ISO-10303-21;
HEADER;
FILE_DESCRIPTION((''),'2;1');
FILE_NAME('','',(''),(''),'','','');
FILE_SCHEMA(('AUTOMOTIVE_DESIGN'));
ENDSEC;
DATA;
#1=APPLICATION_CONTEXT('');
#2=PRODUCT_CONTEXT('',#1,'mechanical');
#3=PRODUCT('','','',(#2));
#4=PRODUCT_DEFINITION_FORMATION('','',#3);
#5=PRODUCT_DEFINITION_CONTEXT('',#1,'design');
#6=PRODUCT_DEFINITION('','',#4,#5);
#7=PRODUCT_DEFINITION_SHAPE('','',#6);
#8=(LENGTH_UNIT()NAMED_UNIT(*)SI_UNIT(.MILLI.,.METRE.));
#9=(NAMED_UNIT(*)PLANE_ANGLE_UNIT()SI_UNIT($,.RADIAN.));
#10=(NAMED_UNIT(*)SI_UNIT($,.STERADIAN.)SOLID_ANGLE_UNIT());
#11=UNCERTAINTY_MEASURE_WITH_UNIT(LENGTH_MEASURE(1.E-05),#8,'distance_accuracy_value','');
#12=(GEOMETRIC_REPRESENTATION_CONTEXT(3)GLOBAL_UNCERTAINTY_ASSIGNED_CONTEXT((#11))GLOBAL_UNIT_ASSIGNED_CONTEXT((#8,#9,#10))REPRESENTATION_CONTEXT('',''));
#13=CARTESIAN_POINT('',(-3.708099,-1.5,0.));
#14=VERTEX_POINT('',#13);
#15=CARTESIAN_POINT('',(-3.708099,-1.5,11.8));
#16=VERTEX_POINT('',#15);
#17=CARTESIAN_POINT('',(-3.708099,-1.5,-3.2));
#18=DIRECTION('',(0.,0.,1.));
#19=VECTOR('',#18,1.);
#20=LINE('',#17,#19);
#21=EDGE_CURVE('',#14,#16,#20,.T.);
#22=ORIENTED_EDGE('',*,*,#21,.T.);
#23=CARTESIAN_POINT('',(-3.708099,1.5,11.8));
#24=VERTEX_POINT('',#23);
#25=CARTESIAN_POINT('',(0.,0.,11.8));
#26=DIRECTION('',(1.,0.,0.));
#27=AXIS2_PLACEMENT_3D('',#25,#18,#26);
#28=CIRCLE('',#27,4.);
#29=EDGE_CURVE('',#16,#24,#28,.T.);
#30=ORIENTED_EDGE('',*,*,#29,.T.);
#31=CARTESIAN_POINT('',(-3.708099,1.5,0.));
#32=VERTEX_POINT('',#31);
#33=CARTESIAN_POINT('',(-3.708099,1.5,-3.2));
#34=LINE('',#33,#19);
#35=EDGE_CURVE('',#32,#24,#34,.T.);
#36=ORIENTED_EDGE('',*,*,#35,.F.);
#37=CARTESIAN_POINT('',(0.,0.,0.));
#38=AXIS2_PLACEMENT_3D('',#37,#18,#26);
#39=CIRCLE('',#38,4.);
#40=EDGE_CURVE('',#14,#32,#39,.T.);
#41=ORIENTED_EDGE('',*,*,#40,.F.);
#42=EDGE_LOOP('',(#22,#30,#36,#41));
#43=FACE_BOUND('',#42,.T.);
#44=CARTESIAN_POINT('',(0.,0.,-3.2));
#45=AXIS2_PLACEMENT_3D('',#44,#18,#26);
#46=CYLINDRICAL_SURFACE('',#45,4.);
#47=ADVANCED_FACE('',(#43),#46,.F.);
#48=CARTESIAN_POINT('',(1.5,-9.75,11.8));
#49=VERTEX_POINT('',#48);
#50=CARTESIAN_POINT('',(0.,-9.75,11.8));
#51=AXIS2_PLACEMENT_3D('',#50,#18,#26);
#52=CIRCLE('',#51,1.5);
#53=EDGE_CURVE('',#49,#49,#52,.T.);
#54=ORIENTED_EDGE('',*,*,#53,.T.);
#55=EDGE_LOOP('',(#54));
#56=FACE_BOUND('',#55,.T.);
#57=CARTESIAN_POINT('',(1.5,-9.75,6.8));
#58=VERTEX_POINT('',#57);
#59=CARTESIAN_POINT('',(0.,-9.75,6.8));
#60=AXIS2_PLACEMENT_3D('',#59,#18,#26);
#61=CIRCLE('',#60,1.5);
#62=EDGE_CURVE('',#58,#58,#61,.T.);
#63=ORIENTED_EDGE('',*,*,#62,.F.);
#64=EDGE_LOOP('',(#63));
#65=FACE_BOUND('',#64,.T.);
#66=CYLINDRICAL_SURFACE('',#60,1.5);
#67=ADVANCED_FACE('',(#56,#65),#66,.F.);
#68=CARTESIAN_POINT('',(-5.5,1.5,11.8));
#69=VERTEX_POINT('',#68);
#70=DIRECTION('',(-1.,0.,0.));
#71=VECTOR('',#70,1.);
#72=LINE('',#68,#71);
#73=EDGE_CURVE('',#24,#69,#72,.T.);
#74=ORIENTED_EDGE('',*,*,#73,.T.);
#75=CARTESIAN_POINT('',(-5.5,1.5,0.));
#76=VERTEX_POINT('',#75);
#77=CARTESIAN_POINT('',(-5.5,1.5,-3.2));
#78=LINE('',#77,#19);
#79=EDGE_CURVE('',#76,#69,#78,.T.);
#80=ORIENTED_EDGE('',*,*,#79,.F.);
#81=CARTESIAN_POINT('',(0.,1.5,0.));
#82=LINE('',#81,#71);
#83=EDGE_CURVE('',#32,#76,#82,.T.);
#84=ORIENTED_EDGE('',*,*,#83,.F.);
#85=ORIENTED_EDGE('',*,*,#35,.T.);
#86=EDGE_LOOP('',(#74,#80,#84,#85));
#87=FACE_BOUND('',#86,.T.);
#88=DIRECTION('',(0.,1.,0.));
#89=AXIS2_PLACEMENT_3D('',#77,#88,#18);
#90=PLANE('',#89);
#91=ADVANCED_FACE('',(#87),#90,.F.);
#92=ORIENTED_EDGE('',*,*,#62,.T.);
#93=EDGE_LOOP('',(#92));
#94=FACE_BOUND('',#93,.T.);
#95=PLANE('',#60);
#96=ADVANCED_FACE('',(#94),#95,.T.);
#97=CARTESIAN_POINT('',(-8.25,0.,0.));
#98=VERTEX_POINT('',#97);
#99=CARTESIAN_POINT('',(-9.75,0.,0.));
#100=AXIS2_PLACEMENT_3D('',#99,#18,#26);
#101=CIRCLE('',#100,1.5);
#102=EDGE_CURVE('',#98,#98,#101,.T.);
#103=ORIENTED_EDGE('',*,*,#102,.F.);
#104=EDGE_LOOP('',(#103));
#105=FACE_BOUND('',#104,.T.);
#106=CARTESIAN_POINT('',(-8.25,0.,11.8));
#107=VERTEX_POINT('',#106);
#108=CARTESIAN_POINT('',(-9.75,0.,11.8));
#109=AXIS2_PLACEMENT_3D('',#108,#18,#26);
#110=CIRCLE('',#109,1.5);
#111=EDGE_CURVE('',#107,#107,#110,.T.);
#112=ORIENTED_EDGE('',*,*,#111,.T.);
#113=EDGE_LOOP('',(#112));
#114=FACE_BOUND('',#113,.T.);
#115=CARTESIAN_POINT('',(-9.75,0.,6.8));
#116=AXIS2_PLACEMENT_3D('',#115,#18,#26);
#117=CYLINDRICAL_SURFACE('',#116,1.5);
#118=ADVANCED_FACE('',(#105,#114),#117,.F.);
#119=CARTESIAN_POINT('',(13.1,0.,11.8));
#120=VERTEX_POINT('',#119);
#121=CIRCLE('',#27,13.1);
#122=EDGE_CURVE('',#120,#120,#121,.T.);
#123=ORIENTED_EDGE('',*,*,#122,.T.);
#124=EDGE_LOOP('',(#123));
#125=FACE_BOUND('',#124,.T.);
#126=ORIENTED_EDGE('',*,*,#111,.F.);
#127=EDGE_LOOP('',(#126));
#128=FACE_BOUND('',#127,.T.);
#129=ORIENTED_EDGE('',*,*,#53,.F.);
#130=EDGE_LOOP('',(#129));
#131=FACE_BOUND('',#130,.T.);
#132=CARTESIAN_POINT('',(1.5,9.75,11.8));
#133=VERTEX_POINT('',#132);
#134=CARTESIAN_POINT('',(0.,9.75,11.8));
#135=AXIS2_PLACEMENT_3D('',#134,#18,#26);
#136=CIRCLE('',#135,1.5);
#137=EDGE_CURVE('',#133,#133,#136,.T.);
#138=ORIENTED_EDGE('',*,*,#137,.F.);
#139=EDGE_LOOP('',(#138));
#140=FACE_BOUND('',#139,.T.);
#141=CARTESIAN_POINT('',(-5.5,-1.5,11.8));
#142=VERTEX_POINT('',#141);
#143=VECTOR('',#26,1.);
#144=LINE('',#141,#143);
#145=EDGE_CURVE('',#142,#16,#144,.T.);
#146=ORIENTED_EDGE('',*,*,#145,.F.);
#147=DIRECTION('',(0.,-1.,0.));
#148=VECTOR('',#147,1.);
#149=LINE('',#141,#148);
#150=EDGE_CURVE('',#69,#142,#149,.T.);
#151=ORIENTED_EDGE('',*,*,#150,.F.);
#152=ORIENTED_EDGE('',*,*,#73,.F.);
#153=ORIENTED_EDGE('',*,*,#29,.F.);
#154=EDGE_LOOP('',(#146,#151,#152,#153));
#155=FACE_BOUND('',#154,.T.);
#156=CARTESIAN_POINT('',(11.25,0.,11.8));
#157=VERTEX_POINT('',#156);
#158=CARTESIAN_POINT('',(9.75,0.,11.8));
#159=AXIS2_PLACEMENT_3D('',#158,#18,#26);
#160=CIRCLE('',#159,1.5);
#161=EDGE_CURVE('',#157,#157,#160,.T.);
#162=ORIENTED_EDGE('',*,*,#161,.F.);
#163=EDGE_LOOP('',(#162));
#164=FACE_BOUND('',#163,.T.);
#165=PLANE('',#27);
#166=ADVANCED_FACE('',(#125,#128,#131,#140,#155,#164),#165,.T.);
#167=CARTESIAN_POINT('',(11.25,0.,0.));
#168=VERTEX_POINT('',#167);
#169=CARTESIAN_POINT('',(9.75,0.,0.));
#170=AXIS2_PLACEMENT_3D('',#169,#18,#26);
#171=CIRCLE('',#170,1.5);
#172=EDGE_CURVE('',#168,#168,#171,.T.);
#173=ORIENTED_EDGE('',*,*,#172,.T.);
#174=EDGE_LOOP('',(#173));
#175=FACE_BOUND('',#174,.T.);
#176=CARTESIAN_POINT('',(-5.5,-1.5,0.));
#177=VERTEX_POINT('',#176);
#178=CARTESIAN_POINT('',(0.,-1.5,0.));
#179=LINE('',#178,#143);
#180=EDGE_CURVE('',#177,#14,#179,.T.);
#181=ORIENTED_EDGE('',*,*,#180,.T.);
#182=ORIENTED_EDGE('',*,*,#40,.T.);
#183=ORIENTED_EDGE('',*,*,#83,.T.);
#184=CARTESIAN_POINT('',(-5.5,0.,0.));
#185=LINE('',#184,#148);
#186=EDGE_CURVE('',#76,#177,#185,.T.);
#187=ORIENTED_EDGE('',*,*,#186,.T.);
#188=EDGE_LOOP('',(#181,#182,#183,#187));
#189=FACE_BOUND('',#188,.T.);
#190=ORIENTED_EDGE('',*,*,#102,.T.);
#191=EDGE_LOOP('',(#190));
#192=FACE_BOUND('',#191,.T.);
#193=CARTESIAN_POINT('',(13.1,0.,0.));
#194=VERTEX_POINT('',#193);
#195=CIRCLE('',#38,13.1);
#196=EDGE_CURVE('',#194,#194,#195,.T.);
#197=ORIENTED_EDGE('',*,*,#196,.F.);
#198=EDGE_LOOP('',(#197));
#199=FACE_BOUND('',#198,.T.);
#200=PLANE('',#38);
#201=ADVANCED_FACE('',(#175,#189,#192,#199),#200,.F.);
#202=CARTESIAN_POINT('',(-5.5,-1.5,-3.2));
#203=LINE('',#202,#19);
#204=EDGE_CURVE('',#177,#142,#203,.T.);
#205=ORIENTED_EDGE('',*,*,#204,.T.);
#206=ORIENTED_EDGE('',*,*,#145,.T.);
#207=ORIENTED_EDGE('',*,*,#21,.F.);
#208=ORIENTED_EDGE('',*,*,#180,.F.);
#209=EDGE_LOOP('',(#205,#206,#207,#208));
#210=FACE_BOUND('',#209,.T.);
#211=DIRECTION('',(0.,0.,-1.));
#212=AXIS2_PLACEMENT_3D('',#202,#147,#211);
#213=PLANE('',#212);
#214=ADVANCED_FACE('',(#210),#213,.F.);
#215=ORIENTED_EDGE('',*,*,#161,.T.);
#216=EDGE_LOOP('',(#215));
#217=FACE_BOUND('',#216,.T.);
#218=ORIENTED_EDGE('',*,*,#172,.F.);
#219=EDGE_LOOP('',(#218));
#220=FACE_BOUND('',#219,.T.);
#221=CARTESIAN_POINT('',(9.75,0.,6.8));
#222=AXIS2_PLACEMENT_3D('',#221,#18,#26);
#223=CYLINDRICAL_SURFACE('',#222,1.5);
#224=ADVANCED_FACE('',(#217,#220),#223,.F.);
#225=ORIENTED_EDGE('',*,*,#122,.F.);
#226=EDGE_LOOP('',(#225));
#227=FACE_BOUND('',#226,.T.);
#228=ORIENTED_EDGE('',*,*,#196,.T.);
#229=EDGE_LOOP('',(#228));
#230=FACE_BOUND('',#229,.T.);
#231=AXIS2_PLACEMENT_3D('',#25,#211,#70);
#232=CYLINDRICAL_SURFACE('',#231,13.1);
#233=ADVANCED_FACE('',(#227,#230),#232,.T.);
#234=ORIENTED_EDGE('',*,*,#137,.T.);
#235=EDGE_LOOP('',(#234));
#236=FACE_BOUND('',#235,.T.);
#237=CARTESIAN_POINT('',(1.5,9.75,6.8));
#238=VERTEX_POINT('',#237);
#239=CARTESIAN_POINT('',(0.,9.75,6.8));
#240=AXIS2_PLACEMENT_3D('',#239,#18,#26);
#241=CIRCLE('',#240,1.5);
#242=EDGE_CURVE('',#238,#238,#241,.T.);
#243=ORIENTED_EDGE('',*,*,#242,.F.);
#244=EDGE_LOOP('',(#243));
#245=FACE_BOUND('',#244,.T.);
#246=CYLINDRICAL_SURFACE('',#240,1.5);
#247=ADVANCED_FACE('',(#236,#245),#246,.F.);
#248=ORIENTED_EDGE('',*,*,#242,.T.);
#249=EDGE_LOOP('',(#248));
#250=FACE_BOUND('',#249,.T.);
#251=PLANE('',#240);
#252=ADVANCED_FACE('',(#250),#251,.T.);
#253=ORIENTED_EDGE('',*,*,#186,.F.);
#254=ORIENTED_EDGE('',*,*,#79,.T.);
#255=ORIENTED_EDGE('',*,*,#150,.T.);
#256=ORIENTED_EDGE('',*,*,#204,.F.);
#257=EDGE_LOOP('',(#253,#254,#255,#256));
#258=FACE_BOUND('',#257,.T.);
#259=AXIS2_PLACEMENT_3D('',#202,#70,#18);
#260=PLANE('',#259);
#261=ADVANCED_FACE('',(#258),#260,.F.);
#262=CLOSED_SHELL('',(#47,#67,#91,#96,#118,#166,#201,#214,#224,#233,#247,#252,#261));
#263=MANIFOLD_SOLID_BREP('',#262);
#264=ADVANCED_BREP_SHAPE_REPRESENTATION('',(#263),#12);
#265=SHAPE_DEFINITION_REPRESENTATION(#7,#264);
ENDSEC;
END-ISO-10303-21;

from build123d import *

# Parameters (mm, degrees)
SKETCH_1_R          = 13.1
EXTRUDE_1_DEPTH     = 11.8
SKETCH_3_R          = 1.5
CUT_EXTRUDE_1_DEPTH = 5
SKETCH_4_R          = 1.5
CUT_EXTRUDE_2_DEPTH = 15


with BuildPart() as part:
    # 草图1 → 凸台-拉伸1 (new body)
    with BuildSketch(Plane.XY):
        Circle(SKETCH_1_R)
    extrude(amount=EXTRUDE_1_DEPTH)

    # 草图3 → 切除-拉伸1 (cut)
    with BuildSketch(Plane.XY.offset(11.8)):
        with Locations((-9.75, 0)):
            Circle(SKETCH_3_R)
        with Locations((0, 9.75)):
            Circle(SKETCH_3_R)
        with Locations((9.75, 0)):
            Circle(SKETCH_3_R)
        with Locations((0, -9.75)):
            Circle(SKETCH_3_R)
    extrude(amount=-CUT_EXTRUDE_1_DEPTH, mode=Mode.SUBTRACT)

    # 草图4 → 切除-拉伸2 (cut)
    with BuildSketch(Plane.XY.offset(11.8)):
        with Locations((-9.75, 0)):
            Circle(SKETCH_4_R)
        with Locations((9.75, 0)):
            Circle(SKETCH_4_R)
        with BuildLine():
            Line((-5.5, -1.5), (-5.5, 1.5))
            Line((-5.5, 1.5), (-3.708099244, 1.5))
            ThreePointArc((-3.708099244, 1.5), (4, 0), (-3.708099244, -1.5))
            Line((-3.708099244, -1.5), (-5.5, -1.5))
        make_face()
    extrude(amount=-CUT_EXTRUDE_2_DEPTH, mode=Mode.SUBTRACT)


solid = part.part
